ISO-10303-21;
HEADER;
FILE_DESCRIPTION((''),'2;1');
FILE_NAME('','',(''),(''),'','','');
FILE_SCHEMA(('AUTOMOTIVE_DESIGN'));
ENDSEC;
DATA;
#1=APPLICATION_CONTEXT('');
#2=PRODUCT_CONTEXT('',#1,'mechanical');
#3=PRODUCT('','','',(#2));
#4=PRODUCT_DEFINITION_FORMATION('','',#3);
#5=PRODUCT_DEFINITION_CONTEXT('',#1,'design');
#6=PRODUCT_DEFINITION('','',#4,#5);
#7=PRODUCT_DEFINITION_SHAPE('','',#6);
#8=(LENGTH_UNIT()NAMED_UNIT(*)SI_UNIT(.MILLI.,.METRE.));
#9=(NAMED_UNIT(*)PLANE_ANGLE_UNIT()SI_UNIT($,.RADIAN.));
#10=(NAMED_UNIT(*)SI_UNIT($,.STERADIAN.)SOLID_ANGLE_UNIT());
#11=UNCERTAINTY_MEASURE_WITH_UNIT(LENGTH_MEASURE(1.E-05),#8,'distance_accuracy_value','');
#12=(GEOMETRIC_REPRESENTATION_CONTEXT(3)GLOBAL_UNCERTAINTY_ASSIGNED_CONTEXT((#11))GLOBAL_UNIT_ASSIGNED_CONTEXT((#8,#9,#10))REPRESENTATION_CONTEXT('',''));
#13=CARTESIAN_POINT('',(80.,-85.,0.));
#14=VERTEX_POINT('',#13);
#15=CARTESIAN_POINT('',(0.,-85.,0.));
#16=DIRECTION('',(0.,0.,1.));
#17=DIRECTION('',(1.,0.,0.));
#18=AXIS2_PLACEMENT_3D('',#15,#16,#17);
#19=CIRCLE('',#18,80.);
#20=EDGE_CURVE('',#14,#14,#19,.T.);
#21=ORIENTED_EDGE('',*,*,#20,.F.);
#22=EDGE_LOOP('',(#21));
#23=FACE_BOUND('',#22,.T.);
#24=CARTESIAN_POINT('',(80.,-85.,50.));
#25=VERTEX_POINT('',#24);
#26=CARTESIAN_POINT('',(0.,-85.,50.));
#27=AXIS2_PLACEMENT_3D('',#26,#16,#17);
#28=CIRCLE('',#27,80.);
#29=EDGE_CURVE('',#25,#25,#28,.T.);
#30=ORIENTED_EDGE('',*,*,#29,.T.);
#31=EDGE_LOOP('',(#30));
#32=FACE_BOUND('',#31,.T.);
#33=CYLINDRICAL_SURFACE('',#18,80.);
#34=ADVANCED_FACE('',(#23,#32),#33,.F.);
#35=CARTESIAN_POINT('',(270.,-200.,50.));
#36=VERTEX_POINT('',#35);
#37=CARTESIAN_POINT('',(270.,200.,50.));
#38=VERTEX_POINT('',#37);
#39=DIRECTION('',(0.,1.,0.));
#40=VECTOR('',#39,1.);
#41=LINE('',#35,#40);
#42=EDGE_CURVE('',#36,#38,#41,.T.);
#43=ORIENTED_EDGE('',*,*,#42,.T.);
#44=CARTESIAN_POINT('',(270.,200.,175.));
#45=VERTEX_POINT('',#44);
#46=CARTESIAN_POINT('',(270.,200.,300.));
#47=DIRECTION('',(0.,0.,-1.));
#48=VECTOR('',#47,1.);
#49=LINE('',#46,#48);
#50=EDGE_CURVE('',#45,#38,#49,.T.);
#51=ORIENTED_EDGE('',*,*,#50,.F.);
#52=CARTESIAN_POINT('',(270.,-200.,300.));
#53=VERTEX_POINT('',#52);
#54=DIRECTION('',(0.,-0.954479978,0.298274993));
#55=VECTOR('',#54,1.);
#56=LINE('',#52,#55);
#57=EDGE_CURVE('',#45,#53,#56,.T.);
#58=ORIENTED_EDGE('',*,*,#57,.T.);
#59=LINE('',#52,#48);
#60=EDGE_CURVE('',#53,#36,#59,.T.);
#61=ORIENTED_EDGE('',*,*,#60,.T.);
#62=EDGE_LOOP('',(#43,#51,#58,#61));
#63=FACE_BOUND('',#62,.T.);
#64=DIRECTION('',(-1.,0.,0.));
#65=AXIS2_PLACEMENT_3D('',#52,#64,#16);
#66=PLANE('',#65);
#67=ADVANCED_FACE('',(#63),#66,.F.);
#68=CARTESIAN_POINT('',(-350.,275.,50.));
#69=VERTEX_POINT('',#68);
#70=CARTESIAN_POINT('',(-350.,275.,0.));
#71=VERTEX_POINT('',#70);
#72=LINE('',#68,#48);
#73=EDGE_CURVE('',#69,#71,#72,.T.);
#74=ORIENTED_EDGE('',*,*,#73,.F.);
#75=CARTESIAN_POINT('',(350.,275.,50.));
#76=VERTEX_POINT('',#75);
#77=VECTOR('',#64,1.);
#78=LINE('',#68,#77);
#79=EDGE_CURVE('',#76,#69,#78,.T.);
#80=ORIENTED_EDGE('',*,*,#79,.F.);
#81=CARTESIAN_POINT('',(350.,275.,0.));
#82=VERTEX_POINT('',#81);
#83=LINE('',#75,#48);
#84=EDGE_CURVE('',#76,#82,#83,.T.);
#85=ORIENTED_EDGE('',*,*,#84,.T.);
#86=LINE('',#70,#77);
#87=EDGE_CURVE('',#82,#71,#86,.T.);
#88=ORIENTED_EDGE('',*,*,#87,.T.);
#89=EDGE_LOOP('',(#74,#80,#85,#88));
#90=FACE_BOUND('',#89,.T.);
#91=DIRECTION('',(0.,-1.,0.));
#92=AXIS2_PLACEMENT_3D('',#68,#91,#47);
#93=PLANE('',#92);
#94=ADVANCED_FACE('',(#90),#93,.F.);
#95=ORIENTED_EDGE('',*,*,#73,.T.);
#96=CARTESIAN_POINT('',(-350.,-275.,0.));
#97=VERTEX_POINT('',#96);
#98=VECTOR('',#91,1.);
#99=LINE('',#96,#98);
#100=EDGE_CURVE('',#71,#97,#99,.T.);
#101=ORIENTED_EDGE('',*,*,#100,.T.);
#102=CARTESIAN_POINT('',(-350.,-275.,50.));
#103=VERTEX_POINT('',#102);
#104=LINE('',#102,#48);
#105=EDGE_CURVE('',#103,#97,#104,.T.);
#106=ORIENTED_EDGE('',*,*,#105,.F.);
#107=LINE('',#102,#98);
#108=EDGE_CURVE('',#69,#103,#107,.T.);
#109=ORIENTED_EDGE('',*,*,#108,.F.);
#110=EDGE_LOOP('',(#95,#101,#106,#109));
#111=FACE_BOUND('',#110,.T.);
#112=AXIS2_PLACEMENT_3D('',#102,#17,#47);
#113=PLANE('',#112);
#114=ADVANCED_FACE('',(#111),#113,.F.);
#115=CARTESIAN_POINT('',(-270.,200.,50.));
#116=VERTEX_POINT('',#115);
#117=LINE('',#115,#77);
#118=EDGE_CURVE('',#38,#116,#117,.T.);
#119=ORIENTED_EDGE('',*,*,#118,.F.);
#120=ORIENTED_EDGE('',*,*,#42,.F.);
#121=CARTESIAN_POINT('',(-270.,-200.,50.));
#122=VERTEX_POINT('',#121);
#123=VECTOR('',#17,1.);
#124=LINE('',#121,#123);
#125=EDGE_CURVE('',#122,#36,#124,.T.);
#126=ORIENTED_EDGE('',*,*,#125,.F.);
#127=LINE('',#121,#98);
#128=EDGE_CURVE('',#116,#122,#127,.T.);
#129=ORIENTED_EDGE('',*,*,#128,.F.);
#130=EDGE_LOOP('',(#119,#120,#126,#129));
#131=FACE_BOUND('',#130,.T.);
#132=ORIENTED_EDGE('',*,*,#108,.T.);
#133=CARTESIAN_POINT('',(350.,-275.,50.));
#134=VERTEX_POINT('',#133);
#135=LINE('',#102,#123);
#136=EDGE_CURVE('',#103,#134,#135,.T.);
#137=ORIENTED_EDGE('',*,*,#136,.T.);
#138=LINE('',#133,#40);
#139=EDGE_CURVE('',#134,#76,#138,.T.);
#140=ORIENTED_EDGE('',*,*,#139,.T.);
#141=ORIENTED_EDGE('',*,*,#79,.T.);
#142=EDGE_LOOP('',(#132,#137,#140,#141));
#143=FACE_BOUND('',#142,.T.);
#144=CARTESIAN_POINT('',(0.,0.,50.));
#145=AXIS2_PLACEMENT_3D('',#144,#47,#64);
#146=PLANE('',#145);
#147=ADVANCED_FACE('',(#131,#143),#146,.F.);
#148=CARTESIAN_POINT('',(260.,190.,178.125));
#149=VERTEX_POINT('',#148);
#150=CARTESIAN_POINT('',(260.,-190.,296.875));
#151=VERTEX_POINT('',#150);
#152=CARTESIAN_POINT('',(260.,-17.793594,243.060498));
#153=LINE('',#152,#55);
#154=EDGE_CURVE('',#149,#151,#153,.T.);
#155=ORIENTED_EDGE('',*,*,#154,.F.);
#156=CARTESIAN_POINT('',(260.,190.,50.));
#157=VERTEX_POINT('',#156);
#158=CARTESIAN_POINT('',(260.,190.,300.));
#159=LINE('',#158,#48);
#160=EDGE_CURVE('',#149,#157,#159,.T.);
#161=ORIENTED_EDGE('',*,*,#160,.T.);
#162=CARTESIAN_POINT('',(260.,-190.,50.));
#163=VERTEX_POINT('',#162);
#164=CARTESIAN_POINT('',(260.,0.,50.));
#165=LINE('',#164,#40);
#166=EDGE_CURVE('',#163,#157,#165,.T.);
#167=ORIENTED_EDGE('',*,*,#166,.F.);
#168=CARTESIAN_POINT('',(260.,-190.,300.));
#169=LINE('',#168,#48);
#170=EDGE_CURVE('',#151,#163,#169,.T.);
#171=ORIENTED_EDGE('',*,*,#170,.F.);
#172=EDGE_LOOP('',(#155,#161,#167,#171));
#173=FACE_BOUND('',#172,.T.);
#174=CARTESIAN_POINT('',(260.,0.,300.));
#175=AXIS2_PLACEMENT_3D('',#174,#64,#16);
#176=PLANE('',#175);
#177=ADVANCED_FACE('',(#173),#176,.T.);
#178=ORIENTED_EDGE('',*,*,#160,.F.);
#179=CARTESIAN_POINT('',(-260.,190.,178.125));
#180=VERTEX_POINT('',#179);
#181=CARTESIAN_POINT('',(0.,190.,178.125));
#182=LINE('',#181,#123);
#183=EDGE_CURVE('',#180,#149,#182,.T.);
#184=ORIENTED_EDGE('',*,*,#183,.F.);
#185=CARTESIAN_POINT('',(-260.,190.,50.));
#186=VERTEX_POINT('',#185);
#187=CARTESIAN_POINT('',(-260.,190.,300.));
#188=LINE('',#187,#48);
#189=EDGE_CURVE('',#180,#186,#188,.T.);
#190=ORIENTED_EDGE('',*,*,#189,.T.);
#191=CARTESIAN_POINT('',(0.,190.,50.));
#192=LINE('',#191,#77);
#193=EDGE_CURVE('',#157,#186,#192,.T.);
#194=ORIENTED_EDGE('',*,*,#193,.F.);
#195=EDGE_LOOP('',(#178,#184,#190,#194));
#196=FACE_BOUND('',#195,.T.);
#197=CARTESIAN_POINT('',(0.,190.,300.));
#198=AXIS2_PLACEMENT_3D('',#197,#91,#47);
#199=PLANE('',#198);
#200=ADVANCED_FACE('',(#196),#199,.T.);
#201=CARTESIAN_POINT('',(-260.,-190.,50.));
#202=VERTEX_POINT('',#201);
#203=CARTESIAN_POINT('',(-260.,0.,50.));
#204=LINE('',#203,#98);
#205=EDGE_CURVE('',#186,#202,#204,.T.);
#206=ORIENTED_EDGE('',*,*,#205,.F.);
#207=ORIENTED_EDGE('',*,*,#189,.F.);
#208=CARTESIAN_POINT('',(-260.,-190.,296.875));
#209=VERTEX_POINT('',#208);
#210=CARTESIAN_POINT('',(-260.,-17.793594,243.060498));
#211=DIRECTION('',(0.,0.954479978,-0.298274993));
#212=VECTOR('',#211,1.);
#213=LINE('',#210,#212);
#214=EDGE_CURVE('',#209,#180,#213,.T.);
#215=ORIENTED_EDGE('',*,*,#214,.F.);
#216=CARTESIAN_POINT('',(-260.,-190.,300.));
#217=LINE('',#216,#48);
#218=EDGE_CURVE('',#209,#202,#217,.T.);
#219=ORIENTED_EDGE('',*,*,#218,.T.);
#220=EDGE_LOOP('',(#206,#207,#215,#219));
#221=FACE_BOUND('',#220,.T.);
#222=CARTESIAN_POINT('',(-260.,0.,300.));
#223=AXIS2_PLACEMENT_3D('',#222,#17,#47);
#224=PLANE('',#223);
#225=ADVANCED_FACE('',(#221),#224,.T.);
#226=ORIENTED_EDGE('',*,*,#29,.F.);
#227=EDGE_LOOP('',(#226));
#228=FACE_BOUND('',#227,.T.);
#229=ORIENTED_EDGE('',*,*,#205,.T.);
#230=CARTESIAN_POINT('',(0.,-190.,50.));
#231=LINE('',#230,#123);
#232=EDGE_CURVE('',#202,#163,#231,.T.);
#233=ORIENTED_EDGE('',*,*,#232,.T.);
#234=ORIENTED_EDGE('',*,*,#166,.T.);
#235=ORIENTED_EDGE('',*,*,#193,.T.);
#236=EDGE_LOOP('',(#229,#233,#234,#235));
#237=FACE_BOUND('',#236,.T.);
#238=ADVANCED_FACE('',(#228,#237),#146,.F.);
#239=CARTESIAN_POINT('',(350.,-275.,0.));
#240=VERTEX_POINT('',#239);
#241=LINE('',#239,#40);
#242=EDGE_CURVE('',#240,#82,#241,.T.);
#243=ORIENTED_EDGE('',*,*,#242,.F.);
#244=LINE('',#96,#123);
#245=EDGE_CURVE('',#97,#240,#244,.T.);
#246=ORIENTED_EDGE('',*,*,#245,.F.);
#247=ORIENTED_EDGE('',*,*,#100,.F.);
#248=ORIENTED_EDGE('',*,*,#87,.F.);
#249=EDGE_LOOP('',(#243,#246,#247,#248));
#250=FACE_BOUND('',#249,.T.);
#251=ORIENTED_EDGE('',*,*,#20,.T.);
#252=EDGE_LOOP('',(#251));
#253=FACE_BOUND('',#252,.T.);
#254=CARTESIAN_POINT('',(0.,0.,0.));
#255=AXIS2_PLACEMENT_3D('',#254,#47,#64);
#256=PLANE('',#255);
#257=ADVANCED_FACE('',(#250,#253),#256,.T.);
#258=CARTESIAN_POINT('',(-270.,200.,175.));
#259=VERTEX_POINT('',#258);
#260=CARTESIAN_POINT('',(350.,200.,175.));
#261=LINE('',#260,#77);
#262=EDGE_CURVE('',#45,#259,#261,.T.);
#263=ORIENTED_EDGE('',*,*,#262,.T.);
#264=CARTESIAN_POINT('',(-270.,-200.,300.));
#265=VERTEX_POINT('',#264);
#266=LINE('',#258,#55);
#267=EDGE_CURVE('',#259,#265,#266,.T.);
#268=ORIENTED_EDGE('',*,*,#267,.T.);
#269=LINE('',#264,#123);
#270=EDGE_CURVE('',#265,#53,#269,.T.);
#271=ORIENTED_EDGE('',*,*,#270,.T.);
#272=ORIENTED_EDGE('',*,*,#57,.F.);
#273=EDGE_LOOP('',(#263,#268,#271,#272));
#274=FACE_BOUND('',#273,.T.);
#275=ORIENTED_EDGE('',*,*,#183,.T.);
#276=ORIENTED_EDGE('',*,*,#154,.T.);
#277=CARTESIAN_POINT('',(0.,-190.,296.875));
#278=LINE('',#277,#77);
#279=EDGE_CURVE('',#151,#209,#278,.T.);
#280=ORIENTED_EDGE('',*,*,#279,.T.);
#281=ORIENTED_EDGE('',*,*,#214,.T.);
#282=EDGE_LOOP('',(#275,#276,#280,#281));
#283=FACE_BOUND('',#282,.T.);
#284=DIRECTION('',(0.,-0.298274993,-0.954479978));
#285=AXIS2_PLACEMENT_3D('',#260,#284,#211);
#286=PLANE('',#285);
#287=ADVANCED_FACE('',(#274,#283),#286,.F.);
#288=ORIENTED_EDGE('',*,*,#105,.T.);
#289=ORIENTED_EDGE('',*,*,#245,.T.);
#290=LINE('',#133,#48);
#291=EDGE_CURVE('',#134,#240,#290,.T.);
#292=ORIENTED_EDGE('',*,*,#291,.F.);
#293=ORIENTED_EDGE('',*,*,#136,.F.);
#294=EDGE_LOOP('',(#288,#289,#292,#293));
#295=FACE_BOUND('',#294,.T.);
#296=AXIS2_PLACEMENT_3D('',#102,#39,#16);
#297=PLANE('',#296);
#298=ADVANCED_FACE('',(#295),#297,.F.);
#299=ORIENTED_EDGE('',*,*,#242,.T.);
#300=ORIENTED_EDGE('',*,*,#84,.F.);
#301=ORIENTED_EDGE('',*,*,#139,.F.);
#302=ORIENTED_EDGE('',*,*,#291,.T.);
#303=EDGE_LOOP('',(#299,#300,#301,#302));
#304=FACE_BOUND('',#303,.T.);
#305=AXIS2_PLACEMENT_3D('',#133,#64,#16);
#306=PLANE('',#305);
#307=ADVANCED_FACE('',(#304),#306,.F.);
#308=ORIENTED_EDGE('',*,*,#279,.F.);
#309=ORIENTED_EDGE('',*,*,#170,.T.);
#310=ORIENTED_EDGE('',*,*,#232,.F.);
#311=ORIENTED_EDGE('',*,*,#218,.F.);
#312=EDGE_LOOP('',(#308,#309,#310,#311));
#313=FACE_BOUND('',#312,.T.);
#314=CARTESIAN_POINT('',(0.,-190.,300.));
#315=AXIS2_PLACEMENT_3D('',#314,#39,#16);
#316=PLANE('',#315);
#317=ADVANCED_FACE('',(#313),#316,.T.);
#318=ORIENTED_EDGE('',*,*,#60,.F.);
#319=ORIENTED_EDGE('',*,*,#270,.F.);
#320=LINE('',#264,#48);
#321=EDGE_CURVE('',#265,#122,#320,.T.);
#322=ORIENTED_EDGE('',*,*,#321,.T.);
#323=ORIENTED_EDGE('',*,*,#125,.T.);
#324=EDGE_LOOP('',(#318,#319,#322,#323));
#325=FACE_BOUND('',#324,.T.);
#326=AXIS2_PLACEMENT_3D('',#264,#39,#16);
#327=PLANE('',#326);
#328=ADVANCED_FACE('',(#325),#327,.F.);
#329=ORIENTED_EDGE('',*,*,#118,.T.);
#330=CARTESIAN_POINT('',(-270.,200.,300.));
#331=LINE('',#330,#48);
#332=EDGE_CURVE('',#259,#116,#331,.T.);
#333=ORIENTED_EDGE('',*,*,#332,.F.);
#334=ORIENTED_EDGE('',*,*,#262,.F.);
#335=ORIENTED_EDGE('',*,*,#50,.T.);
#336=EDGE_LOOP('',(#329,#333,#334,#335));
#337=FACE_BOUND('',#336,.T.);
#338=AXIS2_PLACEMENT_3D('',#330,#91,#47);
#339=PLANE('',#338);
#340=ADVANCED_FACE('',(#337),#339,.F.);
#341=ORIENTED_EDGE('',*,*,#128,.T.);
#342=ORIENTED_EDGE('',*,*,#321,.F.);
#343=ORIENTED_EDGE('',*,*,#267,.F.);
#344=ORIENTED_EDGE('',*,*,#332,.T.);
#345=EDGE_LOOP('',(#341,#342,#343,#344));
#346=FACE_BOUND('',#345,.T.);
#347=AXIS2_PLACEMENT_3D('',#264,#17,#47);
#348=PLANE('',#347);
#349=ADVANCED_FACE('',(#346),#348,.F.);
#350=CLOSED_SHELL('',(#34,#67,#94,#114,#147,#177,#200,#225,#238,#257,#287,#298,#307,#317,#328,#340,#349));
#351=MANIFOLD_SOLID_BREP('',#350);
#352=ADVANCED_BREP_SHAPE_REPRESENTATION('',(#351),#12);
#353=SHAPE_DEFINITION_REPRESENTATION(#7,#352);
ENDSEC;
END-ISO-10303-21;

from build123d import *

# Parameters (mm, degrees)
SKETCH2_W           = 700
SKETCH2_H           = 550
BOSS_EXTRUDE1_DEPTH = 50
SKETCH3_W           = 540
SKETCH3_H           = 400
SKETCH3_W_2         = 520
SKETCH3_H_2         = 380
EXTRUDE_THIN1_DEPTH = 250
CUT_EXTRUDE1_DEPTH  = 621
SKETCH7_R           = 80
CUT_EXTRUDE2_DEPTH  = 51


with BuildPart() as part:
    # Sketch2 → Boss-Extrude1 (new body)
    with BuildSketch(Plane.XY):
        Rectangle(SKETCH2_W, SKETCH2_H)
    extrude(amount=BOSS_EXTRUDE1_DEPTH)

    # Sketch3 → Extrude-Thin1 (add)
    with BuildSketch(Plane.XY.offset(50)):
        Rectangle(SKETCH3_W, SKETCH3_H)
        Rectangle(SKETCH3_W_2, SKETCH3_H_2, mode=Mode.SUBTRACT)
    extrude(amount=EXTRUDE_THIN1_DEPTH)

    # Sketch4 → Cut-Extrude1 (cut, through all)
    with BuildSketch(Plane.ZY.offset(270)):
        Polygon((175, 200), (300, -200), (300, 200), align=None)
    extrude(amount=-CUT_EXTRUDE1_DEPTH, mode=Mode.SUBTRACT)

    # Sketch7 → Cut-Extrude2 (cut, through all)
    with BuildSketch(Plane.XY.offset(50)):
        with Locations((0, -85)):
            Circle(SKETCH7_R)
    extrude(amount=-CUT_EXTRUDE2_DEPTH, mode=Mode.SUBTRACT)


solid = part.part
